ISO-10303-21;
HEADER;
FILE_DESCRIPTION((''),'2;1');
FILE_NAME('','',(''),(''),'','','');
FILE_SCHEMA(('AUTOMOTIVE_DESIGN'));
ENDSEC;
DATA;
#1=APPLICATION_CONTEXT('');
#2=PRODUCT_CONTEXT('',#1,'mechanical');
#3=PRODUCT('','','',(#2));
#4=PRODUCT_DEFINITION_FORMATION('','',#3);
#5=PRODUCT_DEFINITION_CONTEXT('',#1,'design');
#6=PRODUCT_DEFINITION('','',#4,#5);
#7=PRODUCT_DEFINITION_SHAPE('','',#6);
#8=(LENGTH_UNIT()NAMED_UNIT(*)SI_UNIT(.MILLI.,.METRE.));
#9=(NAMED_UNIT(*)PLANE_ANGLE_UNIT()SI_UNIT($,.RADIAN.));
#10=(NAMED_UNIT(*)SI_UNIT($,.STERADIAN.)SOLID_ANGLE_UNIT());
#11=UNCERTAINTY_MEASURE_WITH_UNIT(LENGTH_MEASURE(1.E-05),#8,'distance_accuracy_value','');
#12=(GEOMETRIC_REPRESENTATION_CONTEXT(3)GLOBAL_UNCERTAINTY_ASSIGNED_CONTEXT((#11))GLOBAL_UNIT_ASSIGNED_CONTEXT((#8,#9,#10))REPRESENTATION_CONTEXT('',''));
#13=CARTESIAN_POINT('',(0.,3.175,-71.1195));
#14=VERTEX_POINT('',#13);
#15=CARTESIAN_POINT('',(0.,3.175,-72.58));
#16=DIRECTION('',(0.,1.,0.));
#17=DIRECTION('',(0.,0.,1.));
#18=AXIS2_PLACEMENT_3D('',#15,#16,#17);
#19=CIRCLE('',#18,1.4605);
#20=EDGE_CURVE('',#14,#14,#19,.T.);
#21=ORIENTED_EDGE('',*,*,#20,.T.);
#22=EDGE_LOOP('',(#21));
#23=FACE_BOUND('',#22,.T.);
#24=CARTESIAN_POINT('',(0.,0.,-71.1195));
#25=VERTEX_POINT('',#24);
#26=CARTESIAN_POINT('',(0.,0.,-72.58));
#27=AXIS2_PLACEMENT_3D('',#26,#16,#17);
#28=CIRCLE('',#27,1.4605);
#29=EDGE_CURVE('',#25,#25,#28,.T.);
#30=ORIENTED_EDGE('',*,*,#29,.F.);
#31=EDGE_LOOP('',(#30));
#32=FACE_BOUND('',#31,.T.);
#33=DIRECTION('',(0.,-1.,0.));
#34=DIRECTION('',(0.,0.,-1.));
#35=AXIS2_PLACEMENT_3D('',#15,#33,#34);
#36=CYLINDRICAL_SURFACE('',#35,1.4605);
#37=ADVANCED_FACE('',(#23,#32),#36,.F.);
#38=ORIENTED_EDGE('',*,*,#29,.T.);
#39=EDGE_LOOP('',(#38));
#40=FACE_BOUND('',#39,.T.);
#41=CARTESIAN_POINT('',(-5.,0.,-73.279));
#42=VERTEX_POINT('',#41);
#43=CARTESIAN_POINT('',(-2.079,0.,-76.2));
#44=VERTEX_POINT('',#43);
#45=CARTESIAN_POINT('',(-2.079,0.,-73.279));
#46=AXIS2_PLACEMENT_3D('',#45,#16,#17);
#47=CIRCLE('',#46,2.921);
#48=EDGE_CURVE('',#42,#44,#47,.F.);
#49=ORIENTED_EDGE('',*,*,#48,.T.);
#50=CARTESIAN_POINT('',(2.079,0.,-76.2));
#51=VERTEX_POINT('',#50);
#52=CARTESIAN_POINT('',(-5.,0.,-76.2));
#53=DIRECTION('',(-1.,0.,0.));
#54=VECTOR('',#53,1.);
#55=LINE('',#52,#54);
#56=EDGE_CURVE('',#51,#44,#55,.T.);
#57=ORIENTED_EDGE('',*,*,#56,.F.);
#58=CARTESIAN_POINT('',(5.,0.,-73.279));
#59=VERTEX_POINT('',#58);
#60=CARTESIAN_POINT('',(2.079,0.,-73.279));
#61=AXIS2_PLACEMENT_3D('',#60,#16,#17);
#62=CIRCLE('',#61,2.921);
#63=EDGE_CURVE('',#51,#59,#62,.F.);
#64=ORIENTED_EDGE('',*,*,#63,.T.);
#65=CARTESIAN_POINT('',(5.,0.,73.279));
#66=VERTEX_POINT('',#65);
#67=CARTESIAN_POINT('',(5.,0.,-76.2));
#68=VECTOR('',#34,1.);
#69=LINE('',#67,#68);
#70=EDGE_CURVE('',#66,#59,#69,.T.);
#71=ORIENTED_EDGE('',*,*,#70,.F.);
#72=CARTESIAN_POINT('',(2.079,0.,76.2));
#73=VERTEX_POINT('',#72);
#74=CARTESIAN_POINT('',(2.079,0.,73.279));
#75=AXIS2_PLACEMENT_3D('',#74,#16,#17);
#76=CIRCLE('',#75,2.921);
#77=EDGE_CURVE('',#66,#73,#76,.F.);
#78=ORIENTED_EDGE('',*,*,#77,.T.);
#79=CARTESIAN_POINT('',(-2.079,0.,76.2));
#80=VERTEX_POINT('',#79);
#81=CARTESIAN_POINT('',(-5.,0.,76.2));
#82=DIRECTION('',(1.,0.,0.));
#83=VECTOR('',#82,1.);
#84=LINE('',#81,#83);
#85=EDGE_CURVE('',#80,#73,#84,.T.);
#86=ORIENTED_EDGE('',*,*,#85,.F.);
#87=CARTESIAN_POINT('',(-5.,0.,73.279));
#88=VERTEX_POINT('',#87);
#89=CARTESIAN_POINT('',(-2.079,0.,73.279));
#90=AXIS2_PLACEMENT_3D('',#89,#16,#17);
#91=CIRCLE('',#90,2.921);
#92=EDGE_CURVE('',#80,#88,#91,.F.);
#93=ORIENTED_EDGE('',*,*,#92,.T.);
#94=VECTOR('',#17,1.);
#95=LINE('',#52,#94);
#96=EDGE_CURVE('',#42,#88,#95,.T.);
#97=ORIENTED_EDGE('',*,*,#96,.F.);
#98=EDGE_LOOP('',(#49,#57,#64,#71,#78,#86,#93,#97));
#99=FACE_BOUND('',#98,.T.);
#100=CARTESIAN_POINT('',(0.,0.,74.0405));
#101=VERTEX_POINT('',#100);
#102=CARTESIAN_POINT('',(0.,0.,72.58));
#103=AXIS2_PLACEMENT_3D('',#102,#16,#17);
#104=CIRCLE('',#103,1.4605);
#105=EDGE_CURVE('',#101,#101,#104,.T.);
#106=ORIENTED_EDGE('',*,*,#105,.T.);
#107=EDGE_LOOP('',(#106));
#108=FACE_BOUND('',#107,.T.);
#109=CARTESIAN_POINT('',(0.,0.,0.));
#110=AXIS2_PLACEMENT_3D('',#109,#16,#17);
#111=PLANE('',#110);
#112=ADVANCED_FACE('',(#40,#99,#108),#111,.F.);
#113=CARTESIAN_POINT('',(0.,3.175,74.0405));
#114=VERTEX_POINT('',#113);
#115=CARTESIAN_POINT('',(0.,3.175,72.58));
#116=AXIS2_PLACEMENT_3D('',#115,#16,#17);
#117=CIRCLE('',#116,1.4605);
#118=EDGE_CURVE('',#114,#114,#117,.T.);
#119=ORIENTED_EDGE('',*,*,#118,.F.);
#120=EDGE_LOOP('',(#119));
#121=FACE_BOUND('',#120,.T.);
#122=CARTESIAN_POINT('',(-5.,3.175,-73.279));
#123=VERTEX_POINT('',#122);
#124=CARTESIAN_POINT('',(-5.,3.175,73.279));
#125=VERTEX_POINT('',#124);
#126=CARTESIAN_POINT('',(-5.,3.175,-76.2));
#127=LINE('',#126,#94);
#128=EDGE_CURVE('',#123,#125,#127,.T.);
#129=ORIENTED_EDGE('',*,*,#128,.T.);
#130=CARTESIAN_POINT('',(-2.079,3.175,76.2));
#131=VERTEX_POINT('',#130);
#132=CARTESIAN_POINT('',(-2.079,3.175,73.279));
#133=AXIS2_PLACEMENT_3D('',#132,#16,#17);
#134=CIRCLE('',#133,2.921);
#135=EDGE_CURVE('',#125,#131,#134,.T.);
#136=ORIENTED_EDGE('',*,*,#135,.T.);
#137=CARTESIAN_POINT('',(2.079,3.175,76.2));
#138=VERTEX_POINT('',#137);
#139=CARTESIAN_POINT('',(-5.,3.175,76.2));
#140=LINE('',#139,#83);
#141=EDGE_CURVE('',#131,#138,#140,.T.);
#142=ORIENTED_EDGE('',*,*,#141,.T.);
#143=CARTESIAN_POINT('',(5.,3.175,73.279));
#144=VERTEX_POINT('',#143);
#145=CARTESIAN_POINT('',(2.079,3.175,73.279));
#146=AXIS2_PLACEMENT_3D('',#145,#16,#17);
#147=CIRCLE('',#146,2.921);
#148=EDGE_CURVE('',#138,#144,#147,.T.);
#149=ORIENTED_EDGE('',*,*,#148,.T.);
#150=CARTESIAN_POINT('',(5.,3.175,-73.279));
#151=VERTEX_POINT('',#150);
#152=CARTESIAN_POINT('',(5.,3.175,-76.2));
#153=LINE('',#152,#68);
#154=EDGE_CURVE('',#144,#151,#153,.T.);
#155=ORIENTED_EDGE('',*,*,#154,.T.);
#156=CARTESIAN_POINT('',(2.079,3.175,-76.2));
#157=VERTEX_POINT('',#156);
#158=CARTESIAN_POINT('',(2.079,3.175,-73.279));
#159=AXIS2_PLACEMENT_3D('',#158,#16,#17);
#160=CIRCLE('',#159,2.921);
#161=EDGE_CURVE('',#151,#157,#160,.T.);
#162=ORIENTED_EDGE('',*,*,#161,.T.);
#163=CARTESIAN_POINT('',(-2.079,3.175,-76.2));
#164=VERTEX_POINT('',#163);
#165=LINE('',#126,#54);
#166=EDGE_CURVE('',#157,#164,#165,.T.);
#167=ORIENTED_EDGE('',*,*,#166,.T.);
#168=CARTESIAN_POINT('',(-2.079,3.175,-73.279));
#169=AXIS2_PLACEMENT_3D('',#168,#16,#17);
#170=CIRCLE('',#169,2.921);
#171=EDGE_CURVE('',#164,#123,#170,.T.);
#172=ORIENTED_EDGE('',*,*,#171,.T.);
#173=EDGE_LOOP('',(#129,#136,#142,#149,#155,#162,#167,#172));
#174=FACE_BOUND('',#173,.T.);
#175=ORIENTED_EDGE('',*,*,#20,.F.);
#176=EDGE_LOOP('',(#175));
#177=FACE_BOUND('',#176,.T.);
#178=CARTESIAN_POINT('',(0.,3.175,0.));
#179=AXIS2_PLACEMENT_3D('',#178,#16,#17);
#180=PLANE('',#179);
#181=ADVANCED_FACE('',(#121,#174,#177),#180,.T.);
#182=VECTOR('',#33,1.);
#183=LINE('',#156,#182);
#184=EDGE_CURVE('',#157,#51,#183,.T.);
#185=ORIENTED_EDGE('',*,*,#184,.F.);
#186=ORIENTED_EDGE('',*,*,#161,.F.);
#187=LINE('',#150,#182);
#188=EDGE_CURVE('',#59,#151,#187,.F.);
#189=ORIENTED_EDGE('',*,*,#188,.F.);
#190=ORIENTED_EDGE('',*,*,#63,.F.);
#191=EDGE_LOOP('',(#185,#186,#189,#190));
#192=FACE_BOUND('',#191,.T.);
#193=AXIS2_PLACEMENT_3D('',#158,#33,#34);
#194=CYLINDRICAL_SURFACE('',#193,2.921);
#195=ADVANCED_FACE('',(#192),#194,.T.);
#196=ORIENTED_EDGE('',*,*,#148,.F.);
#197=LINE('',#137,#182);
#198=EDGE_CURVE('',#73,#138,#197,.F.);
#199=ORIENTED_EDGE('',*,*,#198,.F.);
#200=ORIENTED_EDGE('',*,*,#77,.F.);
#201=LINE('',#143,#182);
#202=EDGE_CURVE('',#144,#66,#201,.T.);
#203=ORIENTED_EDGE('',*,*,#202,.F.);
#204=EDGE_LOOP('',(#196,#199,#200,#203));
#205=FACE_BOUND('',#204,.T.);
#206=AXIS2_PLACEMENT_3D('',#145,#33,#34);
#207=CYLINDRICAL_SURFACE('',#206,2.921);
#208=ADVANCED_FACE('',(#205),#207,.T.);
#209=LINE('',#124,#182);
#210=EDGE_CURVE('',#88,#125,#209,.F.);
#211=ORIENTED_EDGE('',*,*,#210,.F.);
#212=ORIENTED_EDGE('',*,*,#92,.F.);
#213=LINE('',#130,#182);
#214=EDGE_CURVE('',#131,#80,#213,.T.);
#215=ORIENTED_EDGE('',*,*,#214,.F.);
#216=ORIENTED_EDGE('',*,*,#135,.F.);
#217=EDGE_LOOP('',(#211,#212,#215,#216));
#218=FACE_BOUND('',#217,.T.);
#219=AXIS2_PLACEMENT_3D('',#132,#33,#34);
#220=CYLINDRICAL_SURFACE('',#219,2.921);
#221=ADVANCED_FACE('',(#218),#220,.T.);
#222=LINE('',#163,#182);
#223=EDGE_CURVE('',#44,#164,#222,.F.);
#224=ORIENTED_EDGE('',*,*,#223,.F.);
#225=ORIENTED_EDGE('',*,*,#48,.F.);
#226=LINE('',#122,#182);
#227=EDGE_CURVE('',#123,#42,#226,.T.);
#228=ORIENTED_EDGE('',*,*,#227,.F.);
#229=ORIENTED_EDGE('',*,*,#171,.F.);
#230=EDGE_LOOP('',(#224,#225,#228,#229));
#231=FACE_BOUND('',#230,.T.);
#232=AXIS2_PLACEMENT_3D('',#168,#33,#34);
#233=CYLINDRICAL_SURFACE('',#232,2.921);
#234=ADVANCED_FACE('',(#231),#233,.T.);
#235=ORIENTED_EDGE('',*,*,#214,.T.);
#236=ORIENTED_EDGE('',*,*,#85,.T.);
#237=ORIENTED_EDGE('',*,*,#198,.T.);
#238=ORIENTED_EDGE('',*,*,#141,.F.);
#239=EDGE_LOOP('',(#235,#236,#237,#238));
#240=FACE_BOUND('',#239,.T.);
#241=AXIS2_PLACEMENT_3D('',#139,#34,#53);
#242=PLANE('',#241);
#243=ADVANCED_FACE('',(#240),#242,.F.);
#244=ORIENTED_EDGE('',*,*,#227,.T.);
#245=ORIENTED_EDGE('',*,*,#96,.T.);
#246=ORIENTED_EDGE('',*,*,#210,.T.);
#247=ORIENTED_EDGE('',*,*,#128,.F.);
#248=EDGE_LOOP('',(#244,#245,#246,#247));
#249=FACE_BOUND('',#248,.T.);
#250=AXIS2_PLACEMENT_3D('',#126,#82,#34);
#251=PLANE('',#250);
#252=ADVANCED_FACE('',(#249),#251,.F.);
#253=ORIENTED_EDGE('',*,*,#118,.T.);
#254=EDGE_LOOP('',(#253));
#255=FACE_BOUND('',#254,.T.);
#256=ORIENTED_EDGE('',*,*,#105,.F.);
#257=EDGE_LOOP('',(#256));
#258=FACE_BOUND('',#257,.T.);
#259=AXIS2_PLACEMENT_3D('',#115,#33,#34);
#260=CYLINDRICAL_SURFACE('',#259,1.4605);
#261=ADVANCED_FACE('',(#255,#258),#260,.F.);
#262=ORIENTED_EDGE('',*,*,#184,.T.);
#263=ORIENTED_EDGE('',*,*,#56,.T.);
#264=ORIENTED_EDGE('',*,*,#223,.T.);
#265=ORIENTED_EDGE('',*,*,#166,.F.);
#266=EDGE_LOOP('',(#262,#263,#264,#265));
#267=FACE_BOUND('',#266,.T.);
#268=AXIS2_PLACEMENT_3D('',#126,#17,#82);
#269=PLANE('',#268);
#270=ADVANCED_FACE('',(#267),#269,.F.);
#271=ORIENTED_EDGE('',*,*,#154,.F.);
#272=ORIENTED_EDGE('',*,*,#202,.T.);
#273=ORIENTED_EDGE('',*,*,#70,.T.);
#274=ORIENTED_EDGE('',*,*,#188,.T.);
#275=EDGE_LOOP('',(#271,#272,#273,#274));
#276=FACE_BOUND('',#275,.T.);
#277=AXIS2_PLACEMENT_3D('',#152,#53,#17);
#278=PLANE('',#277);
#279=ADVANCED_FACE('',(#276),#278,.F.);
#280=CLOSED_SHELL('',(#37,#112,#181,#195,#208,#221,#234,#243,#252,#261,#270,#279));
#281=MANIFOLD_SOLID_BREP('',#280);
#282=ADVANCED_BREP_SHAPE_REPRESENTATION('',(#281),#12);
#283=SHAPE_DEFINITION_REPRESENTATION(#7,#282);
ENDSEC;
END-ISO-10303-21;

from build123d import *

# Parameters (mm, degrees)
SKETCH1_W           = 10
SKETCH1_H           = 152.4
SKETCH1_R           = 1.4605
BOSS_EXTRUDE1_DEPTH = 3.175
FILLET1_R           = 2.921


with BuildPart() as part:
    # Sketch1 → Boss-Extrude1 (new body)
    with BuildSketch(Plane(origin=(0, 0, 0), x_dir=(1, 0, 0), z_dir=(0, 1, 0))):
        Rectangle(SKETCH1_W, SKETCH1_H)
        with Locations(Location((0, 72.58, 0), (0, 0, 270))):
            Circle(SKETCH1_R, mode=Mode.SUBTRACT)
        with Locations(Location((0, -72.58, 0), (0, 0, 270))):
            Circle(SKETCH1_R, mode=Mode.SUBTRACT)
    extrude(amount=BOSS_EXTRUDE1_DEPTH)

    # Fillet1
    fillet1_edges = [part.edges().sort_by_distance(p)[0] for p in [
        (5, 1.5875, 76.2),
        (-5, 1.5875, 76.2),
        (-5, 1.5875, -76.2),
        (5, 1.5875, -76.2),
    ]]
    fillet(fillet1_edges, radius=FILLET1_R)


solid = part.part
